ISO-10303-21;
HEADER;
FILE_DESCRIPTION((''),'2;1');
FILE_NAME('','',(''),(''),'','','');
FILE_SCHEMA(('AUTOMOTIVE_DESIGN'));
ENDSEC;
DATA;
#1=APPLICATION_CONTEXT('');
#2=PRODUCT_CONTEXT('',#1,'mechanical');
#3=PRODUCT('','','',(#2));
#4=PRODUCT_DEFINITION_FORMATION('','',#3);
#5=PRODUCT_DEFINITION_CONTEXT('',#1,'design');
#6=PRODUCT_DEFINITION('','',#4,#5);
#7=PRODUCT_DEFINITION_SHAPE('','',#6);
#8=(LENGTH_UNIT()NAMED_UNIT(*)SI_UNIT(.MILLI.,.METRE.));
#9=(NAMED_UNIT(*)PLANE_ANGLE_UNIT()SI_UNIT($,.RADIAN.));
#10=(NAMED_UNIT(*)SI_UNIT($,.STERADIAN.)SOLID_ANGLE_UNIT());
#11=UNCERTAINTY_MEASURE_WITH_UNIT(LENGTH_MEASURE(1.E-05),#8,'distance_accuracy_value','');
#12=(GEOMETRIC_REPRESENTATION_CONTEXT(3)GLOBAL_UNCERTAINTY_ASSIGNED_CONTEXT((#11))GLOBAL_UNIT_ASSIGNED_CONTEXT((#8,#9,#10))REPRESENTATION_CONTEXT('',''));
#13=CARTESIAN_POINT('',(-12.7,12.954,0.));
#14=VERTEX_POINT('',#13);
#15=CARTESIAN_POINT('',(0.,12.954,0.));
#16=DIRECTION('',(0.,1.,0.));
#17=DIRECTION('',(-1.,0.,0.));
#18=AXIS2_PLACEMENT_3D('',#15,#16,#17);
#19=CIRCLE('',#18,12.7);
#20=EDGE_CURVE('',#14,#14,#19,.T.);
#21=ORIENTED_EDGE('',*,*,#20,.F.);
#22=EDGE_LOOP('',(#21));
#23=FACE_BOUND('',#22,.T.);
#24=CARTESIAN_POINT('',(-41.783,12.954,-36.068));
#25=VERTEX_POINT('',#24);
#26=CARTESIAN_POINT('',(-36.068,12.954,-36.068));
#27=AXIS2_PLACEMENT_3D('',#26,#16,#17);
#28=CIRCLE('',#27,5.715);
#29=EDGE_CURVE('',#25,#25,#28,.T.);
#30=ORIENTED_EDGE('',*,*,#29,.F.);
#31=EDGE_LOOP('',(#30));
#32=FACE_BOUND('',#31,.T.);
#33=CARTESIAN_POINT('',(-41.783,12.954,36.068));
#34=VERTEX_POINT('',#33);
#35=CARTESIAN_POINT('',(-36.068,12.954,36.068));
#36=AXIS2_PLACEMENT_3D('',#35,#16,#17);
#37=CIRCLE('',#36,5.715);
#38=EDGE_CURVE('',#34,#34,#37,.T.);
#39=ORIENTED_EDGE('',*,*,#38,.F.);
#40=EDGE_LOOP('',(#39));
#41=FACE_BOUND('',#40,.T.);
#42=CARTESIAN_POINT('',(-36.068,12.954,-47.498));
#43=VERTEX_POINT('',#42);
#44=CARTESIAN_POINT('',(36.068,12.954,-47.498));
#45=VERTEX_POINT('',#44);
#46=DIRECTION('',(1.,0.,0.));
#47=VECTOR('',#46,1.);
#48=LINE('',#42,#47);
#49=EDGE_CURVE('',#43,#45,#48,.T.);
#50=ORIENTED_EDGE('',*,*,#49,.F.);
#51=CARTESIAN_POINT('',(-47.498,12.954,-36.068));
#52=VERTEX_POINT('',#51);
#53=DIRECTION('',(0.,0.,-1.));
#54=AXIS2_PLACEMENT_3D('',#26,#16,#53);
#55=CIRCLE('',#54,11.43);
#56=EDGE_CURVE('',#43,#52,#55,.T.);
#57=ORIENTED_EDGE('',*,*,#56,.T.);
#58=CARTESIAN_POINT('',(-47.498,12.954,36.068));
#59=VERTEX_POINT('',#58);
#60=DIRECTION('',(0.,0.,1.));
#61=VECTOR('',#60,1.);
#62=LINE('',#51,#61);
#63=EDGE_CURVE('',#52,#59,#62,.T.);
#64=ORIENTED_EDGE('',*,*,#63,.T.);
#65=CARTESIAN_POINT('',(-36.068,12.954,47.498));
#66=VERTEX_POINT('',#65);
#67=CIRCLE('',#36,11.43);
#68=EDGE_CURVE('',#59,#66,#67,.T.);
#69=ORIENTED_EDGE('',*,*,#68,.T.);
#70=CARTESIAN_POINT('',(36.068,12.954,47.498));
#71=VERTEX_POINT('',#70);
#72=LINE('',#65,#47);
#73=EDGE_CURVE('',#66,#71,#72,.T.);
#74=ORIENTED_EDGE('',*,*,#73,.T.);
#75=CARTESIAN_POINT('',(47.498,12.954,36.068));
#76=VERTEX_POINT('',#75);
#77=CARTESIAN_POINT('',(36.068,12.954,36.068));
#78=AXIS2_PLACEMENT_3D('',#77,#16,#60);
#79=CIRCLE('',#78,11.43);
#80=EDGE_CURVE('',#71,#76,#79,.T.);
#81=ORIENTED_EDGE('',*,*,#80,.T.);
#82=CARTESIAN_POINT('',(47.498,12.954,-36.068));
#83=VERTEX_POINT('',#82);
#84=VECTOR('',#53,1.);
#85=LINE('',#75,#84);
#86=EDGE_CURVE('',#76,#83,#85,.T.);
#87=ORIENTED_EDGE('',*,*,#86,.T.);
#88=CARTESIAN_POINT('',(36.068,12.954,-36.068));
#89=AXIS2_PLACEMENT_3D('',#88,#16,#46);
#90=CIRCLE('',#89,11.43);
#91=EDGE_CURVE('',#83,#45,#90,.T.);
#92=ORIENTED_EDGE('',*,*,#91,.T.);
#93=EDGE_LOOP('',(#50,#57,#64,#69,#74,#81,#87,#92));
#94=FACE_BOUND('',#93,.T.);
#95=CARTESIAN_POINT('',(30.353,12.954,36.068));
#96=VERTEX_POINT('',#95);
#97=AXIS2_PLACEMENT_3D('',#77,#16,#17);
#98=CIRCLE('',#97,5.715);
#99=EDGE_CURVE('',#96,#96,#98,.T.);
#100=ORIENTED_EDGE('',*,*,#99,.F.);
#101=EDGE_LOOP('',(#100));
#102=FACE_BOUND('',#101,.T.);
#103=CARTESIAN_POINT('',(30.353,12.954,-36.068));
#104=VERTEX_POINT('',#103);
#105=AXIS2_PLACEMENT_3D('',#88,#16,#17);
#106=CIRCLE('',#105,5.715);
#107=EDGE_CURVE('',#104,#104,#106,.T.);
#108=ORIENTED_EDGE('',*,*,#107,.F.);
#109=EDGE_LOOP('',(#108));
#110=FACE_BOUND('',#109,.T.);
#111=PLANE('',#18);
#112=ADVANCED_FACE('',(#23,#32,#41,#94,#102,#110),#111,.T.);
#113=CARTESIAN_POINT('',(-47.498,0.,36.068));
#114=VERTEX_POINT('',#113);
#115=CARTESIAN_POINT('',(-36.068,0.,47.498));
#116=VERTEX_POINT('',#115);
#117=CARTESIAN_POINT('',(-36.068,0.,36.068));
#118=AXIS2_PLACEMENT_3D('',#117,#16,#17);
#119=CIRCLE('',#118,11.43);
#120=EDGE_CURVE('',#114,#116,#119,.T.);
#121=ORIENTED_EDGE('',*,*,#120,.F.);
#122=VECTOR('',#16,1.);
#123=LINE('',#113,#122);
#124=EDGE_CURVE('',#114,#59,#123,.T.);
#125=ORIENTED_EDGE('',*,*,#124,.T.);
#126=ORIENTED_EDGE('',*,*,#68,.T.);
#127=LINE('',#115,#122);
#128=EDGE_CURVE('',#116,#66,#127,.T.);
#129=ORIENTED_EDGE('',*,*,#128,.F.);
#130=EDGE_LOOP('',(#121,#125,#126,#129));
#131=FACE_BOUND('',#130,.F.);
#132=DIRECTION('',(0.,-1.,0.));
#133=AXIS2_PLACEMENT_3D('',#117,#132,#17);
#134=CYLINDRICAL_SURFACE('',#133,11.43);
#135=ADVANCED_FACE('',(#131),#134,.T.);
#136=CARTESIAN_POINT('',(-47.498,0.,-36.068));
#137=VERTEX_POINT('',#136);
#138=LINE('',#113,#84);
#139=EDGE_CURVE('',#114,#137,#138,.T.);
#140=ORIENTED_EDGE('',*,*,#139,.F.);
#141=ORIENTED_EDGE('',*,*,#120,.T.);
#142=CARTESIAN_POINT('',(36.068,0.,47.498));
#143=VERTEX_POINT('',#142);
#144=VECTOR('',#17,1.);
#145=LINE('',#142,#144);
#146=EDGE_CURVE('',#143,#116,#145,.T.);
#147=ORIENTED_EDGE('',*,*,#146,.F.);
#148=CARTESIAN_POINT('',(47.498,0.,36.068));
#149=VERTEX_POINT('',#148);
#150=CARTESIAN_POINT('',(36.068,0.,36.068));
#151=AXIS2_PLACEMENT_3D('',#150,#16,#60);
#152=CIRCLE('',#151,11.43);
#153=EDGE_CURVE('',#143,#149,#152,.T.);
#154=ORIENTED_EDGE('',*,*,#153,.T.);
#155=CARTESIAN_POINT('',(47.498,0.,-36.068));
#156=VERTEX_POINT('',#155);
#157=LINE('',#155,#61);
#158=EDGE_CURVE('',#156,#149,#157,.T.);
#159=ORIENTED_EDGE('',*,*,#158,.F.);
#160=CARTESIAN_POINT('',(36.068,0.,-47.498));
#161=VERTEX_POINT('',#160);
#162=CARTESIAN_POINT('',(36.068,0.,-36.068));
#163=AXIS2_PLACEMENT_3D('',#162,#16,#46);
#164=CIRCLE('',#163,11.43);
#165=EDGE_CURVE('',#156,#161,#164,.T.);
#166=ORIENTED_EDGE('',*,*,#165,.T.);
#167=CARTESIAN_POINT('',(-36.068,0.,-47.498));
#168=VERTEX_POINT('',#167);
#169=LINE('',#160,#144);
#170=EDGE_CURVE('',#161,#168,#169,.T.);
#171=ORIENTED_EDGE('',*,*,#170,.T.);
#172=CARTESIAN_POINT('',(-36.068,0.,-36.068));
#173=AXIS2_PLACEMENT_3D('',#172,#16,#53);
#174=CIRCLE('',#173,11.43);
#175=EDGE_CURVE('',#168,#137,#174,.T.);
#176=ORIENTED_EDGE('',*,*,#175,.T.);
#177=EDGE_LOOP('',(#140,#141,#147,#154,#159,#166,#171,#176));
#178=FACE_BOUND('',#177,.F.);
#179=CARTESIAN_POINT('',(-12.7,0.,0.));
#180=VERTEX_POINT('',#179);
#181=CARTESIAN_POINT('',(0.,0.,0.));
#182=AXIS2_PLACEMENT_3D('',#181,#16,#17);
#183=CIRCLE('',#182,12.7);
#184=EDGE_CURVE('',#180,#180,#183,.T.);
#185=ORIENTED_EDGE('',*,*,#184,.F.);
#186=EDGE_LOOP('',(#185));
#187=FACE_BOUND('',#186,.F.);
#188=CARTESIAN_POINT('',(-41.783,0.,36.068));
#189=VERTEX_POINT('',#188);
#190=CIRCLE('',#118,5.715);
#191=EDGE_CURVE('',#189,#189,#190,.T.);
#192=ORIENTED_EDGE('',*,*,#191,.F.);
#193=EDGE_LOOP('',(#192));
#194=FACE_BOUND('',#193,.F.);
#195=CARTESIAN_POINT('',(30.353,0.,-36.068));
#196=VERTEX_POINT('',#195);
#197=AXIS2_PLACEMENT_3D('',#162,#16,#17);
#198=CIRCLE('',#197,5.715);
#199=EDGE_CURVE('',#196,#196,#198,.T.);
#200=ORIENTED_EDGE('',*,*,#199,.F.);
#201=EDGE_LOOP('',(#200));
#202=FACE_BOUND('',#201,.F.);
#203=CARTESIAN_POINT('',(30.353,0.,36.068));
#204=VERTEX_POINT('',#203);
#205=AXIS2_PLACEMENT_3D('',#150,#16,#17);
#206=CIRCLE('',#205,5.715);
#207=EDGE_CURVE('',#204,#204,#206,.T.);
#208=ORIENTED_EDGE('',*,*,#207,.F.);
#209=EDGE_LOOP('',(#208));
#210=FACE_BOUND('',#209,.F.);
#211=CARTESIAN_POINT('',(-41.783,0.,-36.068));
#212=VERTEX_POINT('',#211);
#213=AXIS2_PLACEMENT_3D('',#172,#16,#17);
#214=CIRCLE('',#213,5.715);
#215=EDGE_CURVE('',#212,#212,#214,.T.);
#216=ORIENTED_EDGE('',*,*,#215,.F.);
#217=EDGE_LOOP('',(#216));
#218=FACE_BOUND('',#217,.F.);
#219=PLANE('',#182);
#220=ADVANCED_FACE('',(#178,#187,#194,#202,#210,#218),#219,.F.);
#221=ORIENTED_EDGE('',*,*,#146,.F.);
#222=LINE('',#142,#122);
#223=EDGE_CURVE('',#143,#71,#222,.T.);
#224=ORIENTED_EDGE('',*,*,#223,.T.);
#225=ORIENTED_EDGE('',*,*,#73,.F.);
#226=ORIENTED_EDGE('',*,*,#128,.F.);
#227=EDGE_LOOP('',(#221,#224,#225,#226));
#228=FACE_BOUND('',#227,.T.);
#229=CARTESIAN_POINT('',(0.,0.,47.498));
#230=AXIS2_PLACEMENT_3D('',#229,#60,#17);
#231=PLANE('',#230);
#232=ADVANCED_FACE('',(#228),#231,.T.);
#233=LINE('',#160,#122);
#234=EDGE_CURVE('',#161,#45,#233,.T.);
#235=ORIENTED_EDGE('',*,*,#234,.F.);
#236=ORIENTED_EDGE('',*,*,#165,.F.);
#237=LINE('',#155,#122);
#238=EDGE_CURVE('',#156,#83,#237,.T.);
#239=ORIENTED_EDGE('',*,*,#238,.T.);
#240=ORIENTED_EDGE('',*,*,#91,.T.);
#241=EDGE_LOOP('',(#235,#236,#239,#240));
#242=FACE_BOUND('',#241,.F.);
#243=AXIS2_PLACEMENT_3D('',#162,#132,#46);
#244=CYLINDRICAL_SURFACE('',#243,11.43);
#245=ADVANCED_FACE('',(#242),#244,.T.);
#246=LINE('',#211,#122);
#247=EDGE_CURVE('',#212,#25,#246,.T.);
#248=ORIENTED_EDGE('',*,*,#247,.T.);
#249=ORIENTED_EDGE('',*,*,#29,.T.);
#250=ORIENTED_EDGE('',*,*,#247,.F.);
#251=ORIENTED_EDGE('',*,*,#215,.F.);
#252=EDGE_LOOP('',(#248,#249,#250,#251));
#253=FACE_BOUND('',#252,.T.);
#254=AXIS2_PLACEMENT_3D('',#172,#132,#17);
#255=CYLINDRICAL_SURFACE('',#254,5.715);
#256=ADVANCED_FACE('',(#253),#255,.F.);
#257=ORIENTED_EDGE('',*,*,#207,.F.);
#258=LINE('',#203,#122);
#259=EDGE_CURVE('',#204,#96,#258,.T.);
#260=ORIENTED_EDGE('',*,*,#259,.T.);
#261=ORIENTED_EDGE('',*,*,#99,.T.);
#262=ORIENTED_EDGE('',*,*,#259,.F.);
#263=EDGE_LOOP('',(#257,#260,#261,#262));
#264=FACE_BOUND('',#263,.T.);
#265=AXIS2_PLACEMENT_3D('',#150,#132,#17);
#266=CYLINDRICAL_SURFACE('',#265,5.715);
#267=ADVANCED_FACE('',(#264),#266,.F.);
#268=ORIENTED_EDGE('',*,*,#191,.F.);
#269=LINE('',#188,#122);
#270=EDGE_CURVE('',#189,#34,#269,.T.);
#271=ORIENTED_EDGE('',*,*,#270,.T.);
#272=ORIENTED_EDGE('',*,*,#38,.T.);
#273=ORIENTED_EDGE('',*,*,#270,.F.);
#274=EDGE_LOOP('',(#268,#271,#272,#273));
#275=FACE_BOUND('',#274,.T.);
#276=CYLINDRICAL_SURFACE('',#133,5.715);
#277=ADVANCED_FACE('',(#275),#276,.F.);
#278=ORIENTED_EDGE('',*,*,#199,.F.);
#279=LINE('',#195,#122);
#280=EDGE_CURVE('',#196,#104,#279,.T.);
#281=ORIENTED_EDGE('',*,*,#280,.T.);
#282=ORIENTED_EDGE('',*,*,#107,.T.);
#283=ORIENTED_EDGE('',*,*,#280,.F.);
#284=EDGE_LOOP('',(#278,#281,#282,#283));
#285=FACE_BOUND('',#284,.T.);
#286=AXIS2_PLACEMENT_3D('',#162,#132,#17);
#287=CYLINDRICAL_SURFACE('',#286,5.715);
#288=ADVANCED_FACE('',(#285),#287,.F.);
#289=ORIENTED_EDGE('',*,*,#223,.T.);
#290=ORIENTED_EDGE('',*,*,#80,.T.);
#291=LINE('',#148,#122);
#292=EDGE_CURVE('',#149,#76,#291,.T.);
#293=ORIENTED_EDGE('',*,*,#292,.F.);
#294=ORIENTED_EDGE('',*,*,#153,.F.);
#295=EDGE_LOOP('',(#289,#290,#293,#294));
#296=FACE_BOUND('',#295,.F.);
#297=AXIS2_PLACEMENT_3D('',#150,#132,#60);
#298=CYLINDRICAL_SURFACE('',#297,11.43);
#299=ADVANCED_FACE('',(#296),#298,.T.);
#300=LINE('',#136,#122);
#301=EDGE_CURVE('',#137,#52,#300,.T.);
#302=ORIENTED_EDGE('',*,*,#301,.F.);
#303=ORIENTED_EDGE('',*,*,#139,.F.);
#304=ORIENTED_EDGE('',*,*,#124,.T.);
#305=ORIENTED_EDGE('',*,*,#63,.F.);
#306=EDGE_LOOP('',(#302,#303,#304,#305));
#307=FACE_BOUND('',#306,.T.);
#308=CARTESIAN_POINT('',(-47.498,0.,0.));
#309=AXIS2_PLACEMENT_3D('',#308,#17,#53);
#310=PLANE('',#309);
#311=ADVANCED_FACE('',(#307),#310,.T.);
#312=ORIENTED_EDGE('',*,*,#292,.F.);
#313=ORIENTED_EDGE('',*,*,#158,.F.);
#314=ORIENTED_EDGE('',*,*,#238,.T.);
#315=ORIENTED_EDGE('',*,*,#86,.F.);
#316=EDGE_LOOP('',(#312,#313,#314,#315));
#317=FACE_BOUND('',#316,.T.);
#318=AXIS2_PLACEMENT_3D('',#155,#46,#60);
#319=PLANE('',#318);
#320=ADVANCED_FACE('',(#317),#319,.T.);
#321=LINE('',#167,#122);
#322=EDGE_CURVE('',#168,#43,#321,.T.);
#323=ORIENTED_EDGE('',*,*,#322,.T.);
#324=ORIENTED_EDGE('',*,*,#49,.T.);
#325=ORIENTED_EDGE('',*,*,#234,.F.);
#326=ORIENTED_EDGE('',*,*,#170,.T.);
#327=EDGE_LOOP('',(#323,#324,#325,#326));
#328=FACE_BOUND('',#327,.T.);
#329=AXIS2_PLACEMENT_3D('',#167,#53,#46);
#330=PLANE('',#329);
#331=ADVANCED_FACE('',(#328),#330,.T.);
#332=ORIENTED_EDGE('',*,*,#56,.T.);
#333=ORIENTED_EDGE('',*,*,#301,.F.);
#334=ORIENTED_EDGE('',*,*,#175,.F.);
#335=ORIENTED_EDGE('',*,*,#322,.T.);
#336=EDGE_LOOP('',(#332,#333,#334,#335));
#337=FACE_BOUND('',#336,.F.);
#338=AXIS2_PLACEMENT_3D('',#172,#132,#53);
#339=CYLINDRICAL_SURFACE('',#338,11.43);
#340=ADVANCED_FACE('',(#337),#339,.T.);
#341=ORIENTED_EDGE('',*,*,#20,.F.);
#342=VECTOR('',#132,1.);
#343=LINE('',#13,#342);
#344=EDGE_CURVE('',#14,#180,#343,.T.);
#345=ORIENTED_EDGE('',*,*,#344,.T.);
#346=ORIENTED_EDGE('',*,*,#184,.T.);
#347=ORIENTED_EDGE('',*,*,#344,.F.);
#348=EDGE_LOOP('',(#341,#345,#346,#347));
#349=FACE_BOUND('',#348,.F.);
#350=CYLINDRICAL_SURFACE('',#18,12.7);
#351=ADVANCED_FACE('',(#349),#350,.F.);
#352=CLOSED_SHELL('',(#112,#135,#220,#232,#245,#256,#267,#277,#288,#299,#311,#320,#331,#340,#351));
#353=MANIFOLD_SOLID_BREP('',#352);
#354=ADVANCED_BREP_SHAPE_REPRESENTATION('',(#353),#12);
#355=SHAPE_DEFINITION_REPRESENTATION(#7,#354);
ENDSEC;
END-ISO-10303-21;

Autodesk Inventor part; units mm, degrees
ref_plane "YZ Plane" through (0, 0, 0) normal (1, 0, 0) x (0, 1, 0)
ref_plane "XY Plane" through (0, 0, 0) normal (0, 0, 1) x (1, 0, 0)
sketch "Sketch1" plane through (0, 0, 0) normal (0, 1, 0) x (-1, 0, 0)
  line L0 (36.068, -47.498) -> (-36.068, -47.498)
  line L1 (-47.498, -36.068) -> (-47.498, 36.068)
  line L2 (-36.068, 47.498) -> (36.068, 47.498)
  line L3 (47.498, 36.068) -> (47.498, -36.068)
  line L4 (0, -89.5845) -> (0, 104.4956)
  line L5 (80.9625, 0) -> (-125.4125, 0)
  arc A0 (36.068, -47.498) -> (47.498, -36.068) centre (36.068, -36.068) ccw
  arc A1 (-47.498, -36.068) -> (-36.068, -47.498) centre (-36.068, -36.068) ccw
  arc A2 (47.498, 36.068) -> (36.068, 47.498) centre (36.068, 36.068) ccw
  arc A3 (-36.068, 47.498) -> (-47.498, 36.068) centre (-36.068, 36.068) ccw
  circle A4 centre (36.068, -36.068) radius 5.715
  circle A5 centre (-36.068, -36.068) radius 5.715
  circle A6 centre (36.068, 36.068) radius 5.715
  circle A7 centre (-36.068, 36.068) radius 5.715
  point P0 (0, 0)
  point P1 (47.498, -47.498)
  dimension "d0" = 94.996
  dimension "d1" = 94.996
  dimension "d2" = 11.43
  dimension "d3" = 11.43
  dimension "d4" = 11.43
  dimension "d5" = 11.43
  dimension "d6" = 11.43
  dimension "d7" = 11.43
  dimension "d8" = 11.43
  dimension "d9" = 11.43
extrude "Extrusion1" add sketch "Sketch1" along normal blind 12.954
ref_plane "Work Plane1" through (0, 12.954, 0) normal (0, 1, 0) x (-1, 0, 0)
sketch "Sketch2" plane through (0, 12.954, 0) normal (0, 1, 0) x (-1, 0, 0)
  circle A0 centre (36.068, 36.068) radius 5.715 projected
  circle A1 centre (36.068, 36.068) radius 5.715
  circle A2 centre (-36.0828, 36.068) radius 5.7002
  circle A3 centre (0, 0) radius 12.7
  dimension "d13" = 25.4
extrude "Extrusion2" cut sketch "Sketch2" against normal blind 12.954 contours A3
properties part number "bushing"
